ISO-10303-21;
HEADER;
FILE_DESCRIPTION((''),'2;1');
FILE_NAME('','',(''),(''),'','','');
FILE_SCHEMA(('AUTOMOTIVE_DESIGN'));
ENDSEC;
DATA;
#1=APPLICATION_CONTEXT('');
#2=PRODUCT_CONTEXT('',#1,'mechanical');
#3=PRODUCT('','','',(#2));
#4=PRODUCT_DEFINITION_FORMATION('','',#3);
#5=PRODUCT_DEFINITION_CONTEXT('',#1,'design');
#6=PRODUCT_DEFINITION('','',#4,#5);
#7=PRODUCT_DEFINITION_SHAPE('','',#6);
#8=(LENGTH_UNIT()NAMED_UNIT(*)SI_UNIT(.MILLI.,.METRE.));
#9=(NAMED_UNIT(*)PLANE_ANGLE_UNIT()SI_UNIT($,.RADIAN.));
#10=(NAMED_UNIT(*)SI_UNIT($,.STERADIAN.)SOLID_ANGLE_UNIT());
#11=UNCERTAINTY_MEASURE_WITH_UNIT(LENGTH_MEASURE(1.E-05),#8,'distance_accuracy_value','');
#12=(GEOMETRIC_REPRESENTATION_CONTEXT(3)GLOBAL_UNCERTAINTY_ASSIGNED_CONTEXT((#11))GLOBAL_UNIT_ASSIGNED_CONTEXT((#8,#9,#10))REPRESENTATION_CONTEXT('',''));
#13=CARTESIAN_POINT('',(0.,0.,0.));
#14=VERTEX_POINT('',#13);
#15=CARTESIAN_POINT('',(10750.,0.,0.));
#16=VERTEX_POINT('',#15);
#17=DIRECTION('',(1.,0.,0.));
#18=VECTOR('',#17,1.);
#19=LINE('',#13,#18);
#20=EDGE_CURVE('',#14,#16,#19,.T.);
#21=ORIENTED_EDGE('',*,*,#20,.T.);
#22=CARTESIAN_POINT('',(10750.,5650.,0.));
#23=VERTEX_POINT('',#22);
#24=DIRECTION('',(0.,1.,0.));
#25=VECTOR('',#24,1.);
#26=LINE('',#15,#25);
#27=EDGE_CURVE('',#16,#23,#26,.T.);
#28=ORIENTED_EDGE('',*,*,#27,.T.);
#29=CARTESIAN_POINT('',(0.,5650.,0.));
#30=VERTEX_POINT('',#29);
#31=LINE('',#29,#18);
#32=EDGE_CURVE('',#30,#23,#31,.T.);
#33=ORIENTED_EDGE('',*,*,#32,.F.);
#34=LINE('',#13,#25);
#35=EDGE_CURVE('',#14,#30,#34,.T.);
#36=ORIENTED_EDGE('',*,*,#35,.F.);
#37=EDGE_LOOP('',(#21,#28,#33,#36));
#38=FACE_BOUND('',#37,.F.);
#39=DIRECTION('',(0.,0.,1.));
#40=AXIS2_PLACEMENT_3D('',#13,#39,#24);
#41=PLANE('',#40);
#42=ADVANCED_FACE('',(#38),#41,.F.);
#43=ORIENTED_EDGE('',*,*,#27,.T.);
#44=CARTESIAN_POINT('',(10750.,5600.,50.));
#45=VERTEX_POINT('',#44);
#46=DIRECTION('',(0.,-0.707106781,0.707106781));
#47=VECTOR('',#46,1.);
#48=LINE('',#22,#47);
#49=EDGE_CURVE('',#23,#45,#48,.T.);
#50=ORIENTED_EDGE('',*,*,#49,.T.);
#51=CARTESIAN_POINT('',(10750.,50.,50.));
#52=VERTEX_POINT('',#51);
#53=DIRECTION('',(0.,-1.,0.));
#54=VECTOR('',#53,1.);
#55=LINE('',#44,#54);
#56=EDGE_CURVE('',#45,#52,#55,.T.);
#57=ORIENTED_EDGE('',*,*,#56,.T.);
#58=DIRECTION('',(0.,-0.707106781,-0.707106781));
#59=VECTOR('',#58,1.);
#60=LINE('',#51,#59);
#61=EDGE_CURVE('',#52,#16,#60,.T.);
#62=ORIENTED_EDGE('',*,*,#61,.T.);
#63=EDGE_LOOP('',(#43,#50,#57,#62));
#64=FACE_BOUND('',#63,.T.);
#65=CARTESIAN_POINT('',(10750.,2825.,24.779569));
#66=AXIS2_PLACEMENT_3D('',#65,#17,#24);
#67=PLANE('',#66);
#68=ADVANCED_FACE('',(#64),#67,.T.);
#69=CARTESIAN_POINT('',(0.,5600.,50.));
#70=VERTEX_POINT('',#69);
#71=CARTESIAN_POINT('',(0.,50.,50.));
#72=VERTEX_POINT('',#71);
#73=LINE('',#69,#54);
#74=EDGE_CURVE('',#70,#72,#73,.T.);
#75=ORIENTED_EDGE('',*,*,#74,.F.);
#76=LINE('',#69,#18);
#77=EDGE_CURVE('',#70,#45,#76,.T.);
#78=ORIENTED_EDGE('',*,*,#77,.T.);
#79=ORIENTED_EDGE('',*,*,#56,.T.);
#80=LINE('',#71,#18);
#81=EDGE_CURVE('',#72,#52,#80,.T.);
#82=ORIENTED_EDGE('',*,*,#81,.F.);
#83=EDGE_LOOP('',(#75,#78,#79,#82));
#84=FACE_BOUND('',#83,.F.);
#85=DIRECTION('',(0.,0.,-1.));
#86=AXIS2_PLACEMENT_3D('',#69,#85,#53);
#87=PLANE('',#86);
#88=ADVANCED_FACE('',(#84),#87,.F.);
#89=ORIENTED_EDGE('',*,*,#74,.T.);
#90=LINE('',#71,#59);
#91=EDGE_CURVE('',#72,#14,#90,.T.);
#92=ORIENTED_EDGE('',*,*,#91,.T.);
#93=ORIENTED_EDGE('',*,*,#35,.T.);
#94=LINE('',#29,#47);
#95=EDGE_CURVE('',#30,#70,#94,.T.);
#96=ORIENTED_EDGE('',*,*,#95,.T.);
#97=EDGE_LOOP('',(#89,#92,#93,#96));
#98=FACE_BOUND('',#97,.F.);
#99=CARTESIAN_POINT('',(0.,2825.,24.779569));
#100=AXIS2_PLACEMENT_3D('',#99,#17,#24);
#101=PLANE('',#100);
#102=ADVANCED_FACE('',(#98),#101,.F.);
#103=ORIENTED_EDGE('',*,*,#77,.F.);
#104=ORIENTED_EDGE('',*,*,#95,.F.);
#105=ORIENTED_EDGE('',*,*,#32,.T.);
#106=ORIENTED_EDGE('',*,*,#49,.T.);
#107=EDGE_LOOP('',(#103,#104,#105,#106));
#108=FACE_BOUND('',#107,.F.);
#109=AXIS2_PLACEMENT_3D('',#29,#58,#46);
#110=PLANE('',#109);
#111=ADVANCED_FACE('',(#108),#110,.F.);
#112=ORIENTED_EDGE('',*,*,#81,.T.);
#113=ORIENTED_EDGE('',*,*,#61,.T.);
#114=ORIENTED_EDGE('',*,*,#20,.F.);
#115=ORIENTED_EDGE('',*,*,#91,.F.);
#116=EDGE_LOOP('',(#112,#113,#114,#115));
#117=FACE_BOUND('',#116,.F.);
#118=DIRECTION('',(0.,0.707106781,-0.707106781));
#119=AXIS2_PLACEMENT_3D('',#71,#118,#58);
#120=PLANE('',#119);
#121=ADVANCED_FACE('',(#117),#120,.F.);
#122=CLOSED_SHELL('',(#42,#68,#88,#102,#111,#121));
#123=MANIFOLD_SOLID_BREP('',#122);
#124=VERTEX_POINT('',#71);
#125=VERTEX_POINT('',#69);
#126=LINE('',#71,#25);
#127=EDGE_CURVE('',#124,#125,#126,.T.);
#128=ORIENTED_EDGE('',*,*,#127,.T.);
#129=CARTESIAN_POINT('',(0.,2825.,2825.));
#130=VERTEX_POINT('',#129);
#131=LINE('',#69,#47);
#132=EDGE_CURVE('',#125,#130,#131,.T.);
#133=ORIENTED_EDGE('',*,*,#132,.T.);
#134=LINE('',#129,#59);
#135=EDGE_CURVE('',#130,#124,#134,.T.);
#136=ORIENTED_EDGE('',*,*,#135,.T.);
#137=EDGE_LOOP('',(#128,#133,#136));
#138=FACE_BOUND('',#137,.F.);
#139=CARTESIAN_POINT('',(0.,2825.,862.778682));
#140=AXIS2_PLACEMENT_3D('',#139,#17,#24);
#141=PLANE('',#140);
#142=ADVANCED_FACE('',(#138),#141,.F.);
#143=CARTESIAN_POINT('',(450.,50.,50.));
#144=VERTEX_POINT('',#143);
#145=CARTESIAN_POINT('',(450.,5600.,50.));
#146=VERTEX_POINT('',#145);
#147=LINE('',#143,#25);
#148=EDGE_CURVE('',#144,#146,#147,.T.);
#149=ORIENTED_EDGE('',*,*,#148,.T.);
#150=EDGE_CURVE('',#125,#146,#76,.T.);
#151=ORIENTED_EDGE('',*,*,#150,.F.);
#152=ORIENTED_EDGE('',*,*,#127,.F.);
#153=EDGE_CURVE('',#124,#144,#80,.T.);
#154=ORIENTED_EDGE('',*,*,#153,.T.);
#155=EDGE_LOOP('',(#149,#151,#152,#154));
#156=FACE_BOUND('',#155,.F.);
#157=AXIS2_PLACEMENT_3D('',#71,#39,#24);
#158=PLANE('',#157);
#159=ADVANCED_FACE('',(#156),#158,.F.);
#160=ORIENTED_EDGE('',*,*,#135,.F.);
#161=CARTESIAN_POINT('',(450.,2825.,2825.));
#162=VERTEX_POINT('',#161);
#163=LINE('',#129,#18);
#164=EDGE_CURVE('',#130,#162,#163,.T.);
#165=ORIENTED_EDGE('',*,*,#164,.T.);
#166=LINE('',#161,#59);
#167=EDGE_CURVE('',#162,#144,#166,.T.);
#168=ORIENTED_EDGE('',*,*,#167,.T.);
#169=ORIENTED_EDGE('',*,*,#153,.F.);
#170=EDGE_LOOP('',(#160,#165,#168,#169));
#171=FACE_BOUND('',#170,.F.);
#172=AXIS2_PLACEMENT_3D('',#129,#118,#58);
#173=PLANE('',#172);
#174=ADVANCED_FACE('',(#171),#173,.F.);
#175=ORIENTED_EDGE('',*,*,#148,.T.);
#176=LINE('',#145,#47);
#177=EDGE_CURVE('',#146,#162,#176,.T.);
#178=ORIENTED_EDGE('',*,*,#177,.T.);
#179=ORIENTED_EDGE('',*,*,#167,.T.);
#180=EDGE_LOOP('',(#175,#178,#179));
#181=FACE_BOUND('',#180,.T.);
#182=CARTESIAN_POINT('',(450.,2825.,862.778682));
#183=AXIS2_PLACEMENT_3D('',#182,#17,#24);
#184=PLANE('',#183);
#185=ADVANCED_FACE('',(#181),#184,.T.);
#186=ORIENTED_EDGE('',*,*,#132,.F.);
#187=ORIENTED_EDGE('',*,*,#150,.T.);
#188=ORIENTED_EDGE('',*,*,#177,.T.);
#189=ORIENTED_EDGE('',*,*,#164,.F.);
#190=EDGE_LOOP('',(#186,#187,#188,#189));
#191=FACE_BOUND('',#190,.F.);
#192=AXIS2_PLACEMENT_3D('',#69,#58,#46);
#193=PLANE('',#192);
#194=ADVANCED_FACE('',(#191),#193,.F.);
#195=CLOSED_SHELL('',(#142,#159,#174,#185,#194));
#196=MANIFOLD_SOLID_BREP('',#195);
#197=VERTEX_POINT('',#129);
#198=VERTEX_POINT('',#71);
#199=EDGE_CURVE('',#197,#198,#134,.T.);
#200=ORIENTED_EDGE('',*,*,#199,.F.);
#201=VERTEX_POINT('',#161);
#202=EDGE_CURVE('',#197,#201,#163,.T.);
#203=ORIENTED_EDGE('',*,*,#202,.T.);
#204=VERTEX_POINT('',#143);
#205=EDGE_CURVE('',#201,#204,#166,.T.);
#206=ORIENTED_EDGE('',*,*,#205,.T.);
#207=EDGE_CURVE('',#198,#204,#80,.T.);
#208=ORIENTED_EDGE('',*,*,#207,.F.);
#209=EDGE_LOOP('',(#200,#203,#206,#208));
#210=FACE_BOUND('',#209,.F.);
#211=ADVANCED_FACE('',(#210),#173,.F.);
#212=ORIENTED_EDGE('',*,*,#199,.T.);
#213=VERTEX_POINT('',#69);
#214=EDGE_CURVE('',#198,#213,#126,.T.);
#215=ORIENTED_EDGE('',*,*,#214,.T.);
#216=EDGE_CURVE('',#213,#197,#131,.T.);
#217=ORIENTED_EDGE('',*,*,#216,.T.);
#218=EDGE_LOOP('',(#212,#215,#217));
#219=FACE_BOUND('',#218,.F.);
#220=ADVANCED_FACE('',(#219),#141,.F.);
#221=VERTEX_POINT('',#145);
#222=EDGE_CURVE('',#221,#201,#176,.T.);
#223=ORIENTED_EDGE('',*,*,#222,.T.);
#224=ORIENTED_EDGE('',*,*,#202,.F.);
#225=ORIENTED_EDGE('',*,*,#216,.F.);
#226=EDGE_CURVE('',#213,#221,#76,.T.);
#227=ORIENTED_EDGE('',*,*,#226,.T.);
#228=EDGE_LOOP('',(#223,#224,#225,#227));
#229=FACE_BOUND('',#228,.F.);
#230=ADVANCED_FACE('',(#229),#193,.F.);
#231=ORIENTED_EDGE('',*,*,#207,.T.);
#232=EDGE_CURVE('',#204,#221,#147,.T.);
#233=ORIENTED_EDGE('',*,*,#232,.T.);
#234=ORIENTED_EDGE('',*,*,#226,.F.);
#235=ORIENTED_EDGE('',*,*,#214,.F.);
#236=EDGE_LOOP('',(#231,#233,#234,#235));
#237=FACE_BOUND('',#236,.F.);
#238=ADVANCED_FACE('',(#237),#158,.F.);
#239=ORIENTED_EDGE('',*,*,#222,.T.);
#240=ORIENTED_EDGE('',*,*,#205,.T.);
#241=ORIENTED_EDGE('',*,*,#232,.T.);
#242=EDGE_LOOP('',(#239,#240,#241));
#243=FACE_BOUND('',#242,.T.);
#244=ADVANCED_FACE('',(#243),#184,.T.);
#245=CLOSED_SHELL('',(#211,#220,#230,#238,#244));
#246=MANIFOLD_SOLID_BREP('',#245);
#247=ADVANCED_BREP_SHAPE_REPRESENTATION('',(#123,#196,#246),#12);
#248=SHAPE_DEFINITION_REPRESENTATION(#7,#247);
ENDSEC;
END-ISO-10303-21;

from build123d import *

# Parameters (mm, degrees)
F1_DEPTH = 10750
F2_DEPTH = 450
F3_DEPTH = 450


with BuildPart() as f1:
    # F0 (on Right) → F1 (new body)
    with BuildSketch(Plane.YZ):
        Polygon((50, 50), (0, 0), (5650, 0), (5600, 50), align=None)
    extrude(amount=F1_DEPTH)


with BuildPart() as f2:
    # F0 (on Right) → F2 (new body)
    with BuildSketch(Plane.YZ):
        Polygon((2825, 2825), (50, 50), (5600, 50), align=None)
        Polygon((1700, 950), (2825, 2075), (3950, 950), align=None, mode=Mode.SUBTRACT)
        Polygon((3950, 950), (2825, 2075), (1700, 950), align=None)
    extrude(amount=F2_DEPTH)


with BuildPart() as f3:
    # F0 (on Right) → F3 (new body)
    with BuildSketch(Plane.YZ):
        Polygon((2825, 2825), (50, 50), (5600, 50), align=None)
        Polygon((1700, 950), (2825, 2075), (3950, 950), align=None, mode=Mode.SUBTRACT)
        Polygon((3950, 950), (2825, 2075), (1700, 950), align=None)
    extrude(amount=F3_DEPTH)


solid = Compound([f1.part, f2.part, f3.part])
